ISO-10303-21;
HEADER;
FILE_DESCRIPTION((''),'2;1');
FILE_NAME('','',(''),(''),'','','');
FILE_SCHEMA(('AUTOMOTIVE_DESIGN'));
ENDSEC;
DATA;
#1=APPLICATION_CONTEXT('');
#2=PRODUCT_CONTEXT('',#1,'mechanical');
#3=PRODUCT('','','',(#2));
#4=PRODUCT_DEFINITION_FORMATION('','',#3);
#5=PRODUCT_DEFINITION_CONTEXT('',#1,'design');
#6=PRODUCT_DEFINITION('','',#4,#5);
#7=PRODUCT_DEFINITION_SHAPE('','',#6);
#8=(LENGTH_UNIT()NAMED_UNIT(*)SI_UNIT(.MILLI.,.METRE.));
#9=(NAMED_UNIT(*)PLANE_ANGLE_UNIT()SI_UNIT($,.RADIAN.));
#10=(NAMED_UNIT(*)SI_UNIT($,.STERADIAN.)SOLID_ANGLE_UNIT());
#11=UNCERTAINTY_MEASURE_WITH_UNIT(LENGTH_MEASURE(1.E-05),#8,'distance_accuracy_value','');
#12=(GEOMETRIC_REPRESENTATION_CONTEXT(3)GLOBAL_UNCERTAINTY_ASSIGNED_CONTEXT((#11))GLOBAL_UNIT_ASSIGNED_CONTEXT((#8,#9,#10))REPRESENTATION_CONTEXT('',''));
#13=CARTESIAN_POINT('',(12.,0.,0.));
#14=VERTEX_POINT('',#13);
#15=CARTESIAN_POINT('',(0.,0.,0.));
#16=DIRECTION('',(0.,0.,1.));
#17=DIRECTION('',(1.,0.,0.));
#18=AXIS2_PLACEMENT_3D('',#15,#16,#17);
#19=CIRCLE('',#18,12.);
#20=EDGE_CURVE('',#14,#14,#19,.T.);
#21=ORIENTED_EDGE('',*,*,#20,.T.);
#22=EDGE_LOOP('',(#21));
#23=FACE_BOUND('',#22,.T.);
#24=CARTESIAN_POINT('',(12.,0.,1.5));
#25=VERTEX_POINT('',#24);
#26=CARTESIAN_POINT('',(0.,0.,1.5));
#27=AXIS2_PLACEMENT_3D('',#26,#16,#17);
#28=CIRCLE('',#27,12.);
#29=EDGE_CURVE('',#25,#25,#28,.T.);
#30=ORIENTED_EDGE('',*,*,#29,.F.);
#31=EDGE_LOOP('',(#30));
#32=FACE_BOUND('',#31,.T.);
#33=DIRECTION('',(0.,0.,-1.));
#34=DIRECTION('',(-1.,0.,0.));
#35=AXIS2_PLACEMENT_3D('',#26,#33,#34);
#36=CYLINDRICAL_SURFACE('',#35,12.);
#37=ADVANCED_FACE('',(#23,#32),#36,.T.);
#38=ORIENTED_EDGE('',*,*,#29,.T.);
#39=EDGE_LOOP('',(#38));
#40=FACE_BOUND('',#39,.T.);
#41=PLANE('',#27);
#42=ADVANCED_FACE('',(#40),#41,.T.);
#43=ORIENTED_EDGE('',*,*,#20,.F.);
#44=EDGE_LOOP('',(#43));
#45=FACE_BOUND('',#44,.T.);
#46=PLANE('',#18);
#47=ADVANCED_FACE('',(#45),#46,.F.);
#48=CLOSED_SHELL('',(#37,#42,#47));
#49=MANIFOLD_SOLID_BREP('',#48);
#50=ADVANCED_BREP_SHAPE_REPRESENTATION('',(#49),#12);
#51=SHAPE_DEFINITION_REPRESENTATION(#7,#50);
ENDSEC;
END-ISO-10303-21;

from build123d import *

# Parameters (mm, degrees)
ESQUISSE1_R        = 12
BOSS_EXTRU_1_DEPTH = 1.5


with BuildPart() as part:
    # Esquisse1 → Boss.-Extru.1 (new body)
    with BuildSketch(Plane.XY):
        Circle(ESQUISSE1_R)
    extrude(amount=BOSS_EXTRU_1_DEPTH)


solid = part.part
